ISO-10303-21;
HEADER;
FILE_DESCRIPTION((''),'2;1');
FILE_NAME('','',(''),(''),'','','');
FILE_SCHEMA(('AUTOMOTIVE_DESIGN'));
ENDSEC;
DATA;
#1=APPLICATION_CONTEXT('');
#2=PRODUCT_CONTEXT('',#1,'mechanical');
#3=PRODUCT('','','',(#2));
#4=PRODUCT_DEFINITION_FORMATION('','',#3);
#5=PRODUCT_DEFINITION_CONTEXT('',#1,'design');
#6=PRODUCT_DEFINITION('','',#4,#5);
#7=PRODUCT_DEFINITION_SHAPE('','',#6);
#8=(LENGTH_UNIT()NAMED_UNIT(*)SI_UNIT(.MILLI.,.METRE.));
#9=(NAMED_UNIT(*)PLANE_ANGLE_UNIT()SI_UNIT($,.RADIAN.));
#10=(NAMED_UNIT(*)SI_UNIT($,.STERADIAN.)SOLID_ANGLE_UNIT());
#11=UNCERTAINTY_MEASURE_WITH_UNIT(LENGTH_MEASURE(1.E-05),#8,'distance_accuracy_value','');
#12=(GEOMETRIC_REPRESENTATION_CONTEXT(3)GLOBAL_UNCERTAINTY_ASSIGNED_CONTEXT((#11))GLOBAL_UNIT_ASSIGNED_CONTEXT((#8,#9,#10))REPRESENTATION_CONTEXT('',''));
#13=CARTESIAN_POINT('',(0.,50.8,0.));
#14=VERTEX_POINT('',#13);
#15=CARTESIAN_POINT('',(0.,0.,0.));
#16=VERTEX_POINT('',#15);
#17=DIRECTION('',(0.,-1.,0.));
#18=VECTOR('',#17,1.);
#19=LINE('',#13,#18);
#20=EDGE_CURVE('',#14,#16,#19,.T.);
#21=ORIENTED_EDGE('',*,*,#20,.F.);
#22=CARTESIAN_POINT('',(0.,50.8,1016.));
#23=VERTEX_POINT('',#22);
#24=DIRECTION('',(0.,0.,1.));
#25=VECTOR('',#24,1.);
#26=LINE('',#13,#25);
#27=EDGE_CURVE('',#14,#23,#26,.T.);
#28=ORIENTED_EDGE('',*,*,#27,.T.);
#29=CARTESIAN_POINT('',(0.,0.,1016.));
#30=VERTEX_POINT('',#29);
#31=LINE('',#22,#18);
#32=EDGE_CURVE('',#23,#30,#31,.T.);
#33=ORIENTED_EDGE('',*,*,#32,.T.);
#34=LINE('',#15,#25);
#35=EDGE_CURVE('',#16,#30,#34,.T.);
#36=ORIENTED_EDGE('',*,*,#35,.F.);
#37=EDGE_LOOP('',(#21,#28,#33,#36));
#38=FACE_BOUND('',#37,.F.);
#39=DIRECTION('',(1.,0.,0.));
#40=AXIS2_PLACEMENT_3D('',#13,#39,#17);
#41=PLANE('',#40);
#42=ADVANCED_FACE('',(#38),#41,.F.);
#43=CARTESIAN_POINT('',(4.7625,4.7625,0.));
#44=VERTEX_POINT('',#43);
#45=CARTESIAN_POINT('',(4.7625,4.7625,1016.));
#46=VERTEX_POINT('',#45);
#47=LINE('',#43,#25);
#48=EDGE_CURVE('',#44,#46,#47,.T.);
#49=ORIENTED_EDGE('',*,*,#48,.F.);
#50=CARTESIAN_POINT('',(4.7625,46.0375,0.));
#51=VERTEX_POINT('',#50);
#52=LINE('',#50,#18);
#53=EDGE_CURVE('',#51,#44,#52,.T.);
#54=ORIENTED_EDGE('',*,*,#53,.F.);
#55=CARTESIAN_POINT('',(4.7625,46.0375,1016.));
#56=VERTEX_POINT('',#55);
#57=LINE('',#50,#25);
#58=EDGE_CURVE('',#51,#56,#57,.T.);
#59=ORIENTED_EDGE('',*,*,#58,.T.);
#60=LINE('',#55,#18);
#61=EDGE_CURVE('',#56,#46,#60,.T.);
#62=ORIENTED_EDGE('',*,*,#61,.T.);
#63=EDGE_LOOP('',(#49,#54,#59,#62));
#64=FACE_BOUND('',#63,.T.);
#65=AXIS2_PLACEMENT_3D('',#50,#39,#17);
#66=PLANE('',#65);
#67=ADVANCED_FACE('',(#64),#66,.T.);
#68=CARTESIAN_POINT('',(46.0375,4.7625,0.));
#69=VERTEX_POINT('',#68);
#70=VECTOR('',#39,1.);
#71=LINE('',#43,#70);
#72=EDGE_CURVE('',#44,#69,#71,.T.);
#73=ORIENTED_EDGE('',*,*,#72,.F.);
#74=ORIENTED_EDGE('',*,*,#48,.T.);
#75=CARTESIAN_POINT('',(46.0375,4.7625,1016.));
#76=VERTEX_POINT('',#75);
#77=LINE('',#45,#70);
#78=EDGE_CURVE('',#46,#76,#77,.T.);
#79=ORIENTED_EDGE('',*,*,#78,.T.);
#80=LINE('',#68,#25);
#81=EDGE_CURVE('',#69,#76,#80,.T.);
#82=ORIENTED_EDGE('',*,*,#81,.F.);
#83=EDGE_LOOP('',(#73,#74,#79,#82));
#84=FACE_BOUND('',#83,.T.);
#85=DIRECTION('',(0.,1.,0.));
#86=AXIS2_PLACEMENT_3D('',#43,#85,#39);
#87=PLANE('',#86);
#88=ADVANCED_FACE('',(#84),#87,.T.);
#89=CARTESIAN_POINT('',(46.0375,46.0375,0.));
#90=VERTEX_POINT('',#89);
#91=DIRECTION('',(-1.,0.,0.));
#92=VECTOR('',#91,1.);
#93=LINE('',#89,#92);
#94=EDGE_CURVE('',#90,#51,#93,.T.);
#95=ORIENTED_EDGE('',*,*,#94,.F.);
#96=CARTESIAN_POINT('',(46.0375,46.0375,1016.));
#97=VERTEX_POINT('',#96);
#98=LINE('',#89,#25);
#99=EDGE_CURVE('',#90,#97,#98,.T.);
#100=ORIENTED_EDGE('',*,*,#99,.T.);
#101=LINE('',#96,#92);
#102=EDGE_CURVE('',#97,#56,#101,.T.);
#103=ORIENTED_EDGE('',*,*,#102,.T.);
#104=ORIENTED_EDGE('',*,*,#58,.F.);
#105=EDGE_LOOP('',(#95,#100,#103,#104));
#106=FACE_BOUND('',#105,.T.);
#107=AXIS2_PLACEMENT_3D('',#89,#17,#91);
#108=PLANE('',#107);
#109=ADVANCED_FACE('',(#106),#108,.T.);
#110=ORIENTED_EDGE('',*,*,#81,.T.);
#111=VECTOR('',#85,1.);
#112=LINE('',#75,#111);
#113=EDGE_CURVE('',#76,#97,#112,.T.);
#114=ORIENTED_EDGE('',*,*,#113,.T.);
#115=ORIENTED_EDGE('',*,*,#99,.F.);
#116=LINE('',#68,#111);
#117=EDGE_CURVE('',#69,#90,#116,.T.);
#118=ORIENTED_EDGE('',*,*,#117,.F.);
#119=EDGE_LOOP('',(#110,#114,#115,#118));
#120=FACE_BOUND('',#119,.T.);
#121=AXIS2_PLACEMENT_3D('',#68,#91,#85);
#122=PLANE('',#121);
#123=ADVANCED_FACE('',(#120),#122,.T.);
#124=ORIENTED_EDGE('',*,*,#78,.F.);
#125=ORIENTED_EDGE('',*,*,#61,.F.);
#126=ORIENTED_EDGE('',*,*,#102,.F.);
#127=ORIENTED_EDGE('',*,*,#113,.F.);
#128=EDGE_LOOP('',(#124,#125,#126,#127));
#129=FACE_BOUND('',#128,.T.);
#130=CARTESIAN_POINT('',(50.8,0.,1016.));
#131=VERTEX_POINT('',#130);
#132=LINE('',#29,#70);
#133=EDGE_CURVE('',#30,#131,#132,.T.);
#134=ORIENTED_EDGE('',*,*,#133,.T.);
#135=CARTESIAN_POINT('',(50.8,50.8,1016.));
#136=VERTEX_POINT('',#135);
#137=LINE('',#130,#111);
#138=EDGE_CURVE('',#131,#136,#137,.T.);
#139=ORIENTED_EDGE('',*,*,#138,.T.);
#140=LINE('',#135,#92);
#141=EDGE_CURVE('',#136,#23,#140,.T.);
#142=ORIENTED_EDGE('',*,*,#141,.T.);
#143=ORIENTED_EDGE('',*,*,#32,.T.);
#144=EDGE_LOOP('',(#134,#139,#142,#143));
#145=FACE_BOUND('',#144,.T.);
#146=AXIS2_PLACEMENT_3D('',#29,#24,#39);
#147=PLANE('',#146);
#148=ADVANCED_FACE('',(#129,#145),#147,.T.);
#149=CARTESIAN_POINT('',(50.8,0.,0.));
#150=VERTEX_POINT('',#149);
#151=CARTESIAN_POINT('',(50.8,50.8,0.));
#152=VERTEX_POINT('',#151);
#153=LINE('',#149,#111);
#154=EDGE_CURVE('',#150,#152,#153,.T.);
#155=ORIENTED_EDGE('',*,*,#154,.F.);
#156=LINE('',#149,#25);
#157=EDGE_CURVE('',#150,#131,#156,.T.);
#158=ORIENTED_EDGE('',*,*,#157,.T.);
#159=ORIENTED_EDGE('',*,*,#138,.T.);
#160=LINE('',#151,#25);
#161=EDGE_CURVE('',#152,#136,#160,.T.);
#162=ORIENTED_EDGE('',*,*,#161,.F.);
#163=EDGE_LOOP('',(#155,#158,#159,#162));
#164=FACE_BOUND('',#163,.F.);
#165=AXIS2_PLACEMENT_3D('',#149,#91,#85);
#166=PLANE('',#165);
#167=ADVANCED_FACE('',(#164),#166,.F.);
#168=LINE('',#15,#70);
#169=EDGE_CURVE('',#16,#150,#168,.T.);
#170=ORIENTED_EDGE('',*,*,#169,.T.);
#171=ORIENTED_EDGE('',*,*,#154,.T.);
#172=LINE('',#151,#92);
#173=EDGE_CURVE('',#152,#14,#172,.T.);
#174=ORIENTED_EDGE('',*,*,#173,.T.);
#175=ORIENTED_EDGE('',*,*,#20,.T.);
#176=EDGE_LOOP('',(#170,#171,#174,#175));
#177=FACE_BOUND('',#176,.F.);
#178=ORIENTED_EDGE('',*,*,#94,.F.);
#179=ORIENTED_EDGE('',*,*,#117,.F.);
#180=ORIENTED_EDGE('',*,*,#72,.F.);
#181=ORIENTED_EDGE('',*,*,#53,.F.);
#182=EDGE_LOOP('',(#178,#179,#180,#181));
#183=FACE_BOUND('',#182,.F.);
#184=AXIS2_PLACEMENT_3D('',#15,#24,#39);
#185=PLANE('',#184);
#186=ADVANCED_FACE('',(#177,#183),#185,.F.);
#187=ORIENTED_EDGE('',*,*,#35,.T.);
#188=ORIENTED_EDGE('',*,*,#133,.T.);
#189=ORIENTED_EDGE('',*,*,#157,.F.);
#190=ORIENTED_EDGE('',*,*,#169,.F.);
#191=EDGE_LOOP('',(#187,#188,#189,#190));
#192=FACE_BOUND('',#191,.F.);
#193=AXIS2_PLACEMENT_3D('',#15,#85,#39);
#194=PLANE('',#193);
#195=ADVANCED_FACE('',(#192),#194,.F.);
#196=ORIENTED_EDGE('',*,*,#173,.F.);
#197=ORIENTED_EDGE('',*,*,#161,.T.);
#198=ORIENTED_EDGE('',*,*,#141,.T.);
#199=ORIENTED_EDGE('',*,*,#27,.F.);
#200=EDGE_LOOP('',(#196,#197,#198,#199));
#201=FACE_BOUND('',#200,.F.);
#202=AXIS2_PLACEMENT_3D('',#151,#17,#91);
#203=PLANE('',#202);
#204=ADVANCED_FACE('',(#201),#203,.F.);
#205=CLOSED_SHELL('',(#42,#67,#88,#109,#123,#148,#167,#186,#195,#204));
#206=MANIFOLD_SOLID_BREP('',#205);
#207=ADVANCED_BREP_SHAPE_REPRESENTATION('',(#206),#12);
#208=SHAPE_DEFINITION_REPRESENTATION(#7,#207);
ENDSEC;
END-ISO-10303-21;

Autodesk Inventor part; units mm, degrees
ref_plane "YZ Plane" through (0, 0, 0) normal (1, 0, 0) x (0, 1, 0)
ref_plane "XZ Plane" through (0, 0, 0) normal (0, 1, 0) x (-1, 0, 0)
ref_plane "XY Plane" through (0, 0, 0) normal (0, 0, 1) x (1, 0, 0)
sketch "Sketch1" plane through (0, 0, 0) normal (0, 0, 1) x (1, 0, 0)
  line L0 (0, 0) -> (50.8, 0)
  line L1 (50.8, 0) -> (50.8, 50.8)
  line L2 (50.8, 50.8) -> (0, 50.8)
  line L3 (0, 50.8) -> (0, 0)
  line L4 (0, 0) -> (4.7625, 0) construction
  line L5 (4.7625, 0) -> (4.7625, 4.7625) construction
  line L6 (4.7625, 4.7625) -> (0, 4.7625) construction
  line L7 (0, 4.7625) -> (0, 0) construction
  line L8 (50.8, 50.8) -> (46.0375, 50.8) construction
  line L9 (46.0375, 50.8) -> (46.0375, 46.0375) construction
  line L10 (46.0375, 46.0375) -> (50.8, 46.0375) construction
  line L11 (50.8, 46.0375) -> (50.8, 50.8) construction
  line L12 (46.0375, 46.0375) -> (4.7625, 46.0375)
  line L13 (4.7625, 46.0375) -> (4.7625, 4.7625)
  line L14 (4.7625, 4.7625) -> (46.0375, 4.7625)
  line L15 (46.0375, 4.7625) -> (46.0375, 46.0375)
  dimension "d0" = 50.8
  dimension "d1" = 50.8
  dimension "d2" = 4.7625
  dimension "d3" = 4.7625
  dimension "d4" = 4.7625
  dimension "d5" = 4.7625
extrude "Extrusion1" add sketch "Sketch1" along normal blind 1016
equation "\"d0\" = d1"
equation "\"d2\" = d3"
equation "\"d4\" = d3"
equation "\"d5\" = d3"
properties part number "40in2.0Sq" material "Steel, Mild"
